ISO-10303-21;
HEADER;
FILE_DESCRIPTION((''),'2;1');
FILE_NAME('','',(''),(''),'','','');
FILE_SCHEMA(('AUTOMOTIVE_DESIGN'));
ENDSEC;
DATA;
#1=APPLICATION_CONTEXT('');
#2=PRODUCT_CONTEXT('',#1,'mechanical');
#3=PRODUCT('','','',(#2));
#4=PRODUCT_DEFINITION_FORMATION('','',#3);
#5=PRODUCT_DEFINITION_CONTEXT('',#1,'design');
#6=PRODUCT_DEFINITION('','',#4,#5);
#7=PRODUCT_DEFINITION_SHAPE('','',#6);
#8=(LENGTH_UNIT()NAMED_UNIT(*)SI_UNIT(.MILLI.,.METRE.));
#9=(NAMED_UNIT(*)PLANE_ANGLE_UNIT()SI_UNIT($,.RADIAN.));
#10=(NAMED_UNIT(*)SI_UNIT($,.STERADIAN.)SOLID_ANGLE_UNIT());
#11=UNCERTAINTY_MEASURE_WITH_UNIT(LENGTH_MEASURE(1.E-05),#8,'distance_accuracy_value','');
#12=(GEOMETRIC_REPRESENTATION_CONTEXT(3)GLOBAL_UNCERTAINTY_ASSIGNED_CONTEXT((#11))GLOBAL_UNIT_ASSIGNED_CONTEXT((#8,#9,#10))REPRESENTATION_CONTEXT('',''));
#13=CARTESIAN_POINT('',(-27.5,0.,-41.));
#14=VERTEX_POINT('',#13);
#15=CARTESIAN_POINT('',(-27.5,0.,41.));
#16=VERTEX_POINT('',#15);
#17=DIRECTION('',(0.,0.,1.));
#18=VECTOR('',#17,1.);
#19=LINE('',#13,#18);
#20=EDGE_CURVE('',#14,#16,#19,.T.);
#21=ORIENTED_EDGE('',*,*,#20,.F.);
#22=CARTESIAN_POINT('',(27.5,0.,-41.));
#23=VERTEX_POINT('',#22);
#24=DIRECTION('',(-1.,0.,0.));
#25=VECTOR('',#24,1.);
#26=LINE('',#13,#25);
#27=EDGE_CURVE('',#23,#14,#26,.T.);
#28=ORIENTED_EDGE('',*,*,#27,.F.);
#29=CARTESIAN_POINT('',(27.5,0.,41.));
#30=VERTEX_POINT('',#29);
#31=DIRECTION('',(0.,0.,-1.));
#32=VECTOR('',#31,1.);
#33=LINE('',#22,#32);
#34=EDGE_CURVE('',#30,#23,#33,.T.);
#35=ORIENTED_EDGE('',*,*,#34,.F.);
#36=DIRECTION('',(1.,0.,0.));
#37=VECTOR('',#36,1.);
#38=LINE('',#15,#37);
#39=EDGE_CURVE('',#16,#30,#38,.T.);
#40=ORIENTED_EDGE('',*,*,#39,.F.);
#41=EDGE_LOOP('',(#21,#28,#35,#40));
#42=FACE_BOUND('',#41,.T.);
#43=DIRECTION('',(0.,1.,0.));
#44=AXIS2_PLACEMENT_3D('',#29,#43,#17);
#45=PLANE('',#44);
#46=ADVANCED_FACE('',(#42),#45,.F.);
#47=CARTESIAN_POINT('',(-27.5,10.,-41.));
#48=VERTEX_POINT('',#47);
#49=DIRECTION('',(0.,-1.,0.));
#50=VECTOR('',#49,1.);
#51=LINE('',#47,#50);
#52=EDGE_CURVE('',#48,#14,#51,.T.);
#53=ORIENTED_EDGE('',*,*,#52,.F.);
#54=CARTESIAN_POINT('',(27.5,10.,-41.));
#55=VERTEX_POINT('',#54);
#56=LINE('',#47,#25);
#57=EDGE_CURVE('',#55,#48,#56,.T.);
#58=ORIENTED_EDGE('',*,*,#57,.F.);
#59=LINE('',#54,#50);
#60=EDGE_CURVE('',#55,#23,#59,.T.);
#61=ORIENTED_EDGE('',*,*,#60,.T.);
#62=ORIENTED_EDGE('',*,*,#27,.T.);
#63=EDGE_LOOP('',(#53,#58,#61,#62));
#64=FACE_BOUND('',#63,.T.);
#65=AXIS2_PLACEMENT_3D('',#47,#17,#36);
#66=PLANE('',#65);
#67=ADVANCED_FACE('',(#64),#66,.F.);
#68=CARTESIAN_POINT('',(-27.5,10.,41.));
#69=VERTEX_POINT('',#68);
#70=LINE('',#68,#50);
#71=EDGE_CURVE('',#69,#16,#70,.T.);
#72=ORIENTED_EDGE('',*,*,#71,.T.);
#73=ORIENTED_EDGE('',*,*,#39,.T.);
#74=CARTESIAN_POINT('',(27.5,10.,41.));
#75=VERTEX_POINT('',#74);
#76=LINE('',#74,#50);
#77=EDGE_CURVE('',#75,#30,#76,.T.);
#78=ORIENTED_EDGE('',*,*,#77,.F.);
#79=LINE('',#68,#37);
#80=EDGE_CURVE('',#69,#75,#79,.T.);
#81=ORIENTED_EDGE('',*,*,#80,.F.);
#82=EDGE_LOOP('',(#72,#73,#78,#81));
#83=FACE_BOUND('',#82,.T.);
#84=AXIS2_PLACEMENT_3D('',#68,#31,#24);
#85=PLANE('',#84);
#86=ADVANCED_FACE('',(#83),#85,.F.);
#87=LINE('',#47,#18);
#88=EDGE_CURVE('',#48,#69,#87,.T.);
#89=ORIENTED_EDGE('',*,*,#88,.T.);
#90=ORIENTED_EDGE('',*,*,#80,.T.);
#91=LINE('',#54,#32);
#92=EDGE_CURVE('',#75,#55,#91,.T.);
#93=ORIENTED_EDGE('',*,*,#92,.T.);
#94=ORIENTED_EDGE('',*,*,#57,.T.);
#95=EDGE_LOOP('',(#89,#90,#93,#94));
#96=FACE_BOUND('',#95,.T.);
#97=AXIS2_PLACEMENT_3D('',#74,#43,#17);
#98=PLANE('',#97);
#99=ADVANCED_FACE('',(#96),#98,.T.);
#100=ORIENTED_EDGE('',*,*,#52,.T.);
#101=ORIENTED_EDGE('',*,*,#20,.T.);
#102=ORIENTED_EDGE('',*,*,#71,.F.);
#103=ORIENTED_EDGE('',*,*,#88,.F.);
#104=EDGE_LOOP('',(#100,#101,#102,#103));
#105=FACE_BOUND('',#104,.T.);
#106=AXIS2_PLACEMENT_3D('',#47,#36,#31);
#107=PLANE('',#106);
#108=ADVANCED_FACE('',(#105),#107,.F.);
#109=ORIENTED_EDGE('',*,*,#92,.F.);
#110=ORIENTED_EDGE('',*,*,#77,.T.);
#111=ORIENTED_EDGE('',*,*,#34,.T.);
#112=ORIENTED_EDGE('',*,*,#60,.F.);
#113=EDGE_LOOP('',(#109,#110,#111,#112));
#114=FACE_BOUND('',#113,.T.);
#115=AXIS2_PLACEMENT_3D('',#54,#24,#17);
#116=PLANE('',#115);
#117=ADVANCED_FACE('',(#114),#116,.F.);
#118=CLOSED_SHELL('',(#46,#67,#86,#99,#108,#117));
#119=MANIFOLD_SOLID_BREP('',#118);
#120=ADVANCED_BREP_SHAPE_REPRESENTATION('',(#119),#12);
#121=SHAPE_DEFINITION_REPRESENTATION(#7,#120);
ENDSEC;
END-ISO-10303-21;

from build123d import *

# Parameters (mm, degrees)
SKETCH1_W           = 55
SKETCH1_H           = 82
BOSS_EXTRUDE1_DEPTH = 10


with BuildPart() as part:
    # Sketch1 → Boss-Extrude1 (new body)
    with BuildSketch(Plane(origin=(0, 0, 0), x_dir=(1, 0, 0), z_dir=(0, 1, 0))):
        Rectangle(SKETCH1_W, SKETCH1_H)
    extrude(amount=BOSS_EXTRUDE1_DEPTH)


solid = part.part
